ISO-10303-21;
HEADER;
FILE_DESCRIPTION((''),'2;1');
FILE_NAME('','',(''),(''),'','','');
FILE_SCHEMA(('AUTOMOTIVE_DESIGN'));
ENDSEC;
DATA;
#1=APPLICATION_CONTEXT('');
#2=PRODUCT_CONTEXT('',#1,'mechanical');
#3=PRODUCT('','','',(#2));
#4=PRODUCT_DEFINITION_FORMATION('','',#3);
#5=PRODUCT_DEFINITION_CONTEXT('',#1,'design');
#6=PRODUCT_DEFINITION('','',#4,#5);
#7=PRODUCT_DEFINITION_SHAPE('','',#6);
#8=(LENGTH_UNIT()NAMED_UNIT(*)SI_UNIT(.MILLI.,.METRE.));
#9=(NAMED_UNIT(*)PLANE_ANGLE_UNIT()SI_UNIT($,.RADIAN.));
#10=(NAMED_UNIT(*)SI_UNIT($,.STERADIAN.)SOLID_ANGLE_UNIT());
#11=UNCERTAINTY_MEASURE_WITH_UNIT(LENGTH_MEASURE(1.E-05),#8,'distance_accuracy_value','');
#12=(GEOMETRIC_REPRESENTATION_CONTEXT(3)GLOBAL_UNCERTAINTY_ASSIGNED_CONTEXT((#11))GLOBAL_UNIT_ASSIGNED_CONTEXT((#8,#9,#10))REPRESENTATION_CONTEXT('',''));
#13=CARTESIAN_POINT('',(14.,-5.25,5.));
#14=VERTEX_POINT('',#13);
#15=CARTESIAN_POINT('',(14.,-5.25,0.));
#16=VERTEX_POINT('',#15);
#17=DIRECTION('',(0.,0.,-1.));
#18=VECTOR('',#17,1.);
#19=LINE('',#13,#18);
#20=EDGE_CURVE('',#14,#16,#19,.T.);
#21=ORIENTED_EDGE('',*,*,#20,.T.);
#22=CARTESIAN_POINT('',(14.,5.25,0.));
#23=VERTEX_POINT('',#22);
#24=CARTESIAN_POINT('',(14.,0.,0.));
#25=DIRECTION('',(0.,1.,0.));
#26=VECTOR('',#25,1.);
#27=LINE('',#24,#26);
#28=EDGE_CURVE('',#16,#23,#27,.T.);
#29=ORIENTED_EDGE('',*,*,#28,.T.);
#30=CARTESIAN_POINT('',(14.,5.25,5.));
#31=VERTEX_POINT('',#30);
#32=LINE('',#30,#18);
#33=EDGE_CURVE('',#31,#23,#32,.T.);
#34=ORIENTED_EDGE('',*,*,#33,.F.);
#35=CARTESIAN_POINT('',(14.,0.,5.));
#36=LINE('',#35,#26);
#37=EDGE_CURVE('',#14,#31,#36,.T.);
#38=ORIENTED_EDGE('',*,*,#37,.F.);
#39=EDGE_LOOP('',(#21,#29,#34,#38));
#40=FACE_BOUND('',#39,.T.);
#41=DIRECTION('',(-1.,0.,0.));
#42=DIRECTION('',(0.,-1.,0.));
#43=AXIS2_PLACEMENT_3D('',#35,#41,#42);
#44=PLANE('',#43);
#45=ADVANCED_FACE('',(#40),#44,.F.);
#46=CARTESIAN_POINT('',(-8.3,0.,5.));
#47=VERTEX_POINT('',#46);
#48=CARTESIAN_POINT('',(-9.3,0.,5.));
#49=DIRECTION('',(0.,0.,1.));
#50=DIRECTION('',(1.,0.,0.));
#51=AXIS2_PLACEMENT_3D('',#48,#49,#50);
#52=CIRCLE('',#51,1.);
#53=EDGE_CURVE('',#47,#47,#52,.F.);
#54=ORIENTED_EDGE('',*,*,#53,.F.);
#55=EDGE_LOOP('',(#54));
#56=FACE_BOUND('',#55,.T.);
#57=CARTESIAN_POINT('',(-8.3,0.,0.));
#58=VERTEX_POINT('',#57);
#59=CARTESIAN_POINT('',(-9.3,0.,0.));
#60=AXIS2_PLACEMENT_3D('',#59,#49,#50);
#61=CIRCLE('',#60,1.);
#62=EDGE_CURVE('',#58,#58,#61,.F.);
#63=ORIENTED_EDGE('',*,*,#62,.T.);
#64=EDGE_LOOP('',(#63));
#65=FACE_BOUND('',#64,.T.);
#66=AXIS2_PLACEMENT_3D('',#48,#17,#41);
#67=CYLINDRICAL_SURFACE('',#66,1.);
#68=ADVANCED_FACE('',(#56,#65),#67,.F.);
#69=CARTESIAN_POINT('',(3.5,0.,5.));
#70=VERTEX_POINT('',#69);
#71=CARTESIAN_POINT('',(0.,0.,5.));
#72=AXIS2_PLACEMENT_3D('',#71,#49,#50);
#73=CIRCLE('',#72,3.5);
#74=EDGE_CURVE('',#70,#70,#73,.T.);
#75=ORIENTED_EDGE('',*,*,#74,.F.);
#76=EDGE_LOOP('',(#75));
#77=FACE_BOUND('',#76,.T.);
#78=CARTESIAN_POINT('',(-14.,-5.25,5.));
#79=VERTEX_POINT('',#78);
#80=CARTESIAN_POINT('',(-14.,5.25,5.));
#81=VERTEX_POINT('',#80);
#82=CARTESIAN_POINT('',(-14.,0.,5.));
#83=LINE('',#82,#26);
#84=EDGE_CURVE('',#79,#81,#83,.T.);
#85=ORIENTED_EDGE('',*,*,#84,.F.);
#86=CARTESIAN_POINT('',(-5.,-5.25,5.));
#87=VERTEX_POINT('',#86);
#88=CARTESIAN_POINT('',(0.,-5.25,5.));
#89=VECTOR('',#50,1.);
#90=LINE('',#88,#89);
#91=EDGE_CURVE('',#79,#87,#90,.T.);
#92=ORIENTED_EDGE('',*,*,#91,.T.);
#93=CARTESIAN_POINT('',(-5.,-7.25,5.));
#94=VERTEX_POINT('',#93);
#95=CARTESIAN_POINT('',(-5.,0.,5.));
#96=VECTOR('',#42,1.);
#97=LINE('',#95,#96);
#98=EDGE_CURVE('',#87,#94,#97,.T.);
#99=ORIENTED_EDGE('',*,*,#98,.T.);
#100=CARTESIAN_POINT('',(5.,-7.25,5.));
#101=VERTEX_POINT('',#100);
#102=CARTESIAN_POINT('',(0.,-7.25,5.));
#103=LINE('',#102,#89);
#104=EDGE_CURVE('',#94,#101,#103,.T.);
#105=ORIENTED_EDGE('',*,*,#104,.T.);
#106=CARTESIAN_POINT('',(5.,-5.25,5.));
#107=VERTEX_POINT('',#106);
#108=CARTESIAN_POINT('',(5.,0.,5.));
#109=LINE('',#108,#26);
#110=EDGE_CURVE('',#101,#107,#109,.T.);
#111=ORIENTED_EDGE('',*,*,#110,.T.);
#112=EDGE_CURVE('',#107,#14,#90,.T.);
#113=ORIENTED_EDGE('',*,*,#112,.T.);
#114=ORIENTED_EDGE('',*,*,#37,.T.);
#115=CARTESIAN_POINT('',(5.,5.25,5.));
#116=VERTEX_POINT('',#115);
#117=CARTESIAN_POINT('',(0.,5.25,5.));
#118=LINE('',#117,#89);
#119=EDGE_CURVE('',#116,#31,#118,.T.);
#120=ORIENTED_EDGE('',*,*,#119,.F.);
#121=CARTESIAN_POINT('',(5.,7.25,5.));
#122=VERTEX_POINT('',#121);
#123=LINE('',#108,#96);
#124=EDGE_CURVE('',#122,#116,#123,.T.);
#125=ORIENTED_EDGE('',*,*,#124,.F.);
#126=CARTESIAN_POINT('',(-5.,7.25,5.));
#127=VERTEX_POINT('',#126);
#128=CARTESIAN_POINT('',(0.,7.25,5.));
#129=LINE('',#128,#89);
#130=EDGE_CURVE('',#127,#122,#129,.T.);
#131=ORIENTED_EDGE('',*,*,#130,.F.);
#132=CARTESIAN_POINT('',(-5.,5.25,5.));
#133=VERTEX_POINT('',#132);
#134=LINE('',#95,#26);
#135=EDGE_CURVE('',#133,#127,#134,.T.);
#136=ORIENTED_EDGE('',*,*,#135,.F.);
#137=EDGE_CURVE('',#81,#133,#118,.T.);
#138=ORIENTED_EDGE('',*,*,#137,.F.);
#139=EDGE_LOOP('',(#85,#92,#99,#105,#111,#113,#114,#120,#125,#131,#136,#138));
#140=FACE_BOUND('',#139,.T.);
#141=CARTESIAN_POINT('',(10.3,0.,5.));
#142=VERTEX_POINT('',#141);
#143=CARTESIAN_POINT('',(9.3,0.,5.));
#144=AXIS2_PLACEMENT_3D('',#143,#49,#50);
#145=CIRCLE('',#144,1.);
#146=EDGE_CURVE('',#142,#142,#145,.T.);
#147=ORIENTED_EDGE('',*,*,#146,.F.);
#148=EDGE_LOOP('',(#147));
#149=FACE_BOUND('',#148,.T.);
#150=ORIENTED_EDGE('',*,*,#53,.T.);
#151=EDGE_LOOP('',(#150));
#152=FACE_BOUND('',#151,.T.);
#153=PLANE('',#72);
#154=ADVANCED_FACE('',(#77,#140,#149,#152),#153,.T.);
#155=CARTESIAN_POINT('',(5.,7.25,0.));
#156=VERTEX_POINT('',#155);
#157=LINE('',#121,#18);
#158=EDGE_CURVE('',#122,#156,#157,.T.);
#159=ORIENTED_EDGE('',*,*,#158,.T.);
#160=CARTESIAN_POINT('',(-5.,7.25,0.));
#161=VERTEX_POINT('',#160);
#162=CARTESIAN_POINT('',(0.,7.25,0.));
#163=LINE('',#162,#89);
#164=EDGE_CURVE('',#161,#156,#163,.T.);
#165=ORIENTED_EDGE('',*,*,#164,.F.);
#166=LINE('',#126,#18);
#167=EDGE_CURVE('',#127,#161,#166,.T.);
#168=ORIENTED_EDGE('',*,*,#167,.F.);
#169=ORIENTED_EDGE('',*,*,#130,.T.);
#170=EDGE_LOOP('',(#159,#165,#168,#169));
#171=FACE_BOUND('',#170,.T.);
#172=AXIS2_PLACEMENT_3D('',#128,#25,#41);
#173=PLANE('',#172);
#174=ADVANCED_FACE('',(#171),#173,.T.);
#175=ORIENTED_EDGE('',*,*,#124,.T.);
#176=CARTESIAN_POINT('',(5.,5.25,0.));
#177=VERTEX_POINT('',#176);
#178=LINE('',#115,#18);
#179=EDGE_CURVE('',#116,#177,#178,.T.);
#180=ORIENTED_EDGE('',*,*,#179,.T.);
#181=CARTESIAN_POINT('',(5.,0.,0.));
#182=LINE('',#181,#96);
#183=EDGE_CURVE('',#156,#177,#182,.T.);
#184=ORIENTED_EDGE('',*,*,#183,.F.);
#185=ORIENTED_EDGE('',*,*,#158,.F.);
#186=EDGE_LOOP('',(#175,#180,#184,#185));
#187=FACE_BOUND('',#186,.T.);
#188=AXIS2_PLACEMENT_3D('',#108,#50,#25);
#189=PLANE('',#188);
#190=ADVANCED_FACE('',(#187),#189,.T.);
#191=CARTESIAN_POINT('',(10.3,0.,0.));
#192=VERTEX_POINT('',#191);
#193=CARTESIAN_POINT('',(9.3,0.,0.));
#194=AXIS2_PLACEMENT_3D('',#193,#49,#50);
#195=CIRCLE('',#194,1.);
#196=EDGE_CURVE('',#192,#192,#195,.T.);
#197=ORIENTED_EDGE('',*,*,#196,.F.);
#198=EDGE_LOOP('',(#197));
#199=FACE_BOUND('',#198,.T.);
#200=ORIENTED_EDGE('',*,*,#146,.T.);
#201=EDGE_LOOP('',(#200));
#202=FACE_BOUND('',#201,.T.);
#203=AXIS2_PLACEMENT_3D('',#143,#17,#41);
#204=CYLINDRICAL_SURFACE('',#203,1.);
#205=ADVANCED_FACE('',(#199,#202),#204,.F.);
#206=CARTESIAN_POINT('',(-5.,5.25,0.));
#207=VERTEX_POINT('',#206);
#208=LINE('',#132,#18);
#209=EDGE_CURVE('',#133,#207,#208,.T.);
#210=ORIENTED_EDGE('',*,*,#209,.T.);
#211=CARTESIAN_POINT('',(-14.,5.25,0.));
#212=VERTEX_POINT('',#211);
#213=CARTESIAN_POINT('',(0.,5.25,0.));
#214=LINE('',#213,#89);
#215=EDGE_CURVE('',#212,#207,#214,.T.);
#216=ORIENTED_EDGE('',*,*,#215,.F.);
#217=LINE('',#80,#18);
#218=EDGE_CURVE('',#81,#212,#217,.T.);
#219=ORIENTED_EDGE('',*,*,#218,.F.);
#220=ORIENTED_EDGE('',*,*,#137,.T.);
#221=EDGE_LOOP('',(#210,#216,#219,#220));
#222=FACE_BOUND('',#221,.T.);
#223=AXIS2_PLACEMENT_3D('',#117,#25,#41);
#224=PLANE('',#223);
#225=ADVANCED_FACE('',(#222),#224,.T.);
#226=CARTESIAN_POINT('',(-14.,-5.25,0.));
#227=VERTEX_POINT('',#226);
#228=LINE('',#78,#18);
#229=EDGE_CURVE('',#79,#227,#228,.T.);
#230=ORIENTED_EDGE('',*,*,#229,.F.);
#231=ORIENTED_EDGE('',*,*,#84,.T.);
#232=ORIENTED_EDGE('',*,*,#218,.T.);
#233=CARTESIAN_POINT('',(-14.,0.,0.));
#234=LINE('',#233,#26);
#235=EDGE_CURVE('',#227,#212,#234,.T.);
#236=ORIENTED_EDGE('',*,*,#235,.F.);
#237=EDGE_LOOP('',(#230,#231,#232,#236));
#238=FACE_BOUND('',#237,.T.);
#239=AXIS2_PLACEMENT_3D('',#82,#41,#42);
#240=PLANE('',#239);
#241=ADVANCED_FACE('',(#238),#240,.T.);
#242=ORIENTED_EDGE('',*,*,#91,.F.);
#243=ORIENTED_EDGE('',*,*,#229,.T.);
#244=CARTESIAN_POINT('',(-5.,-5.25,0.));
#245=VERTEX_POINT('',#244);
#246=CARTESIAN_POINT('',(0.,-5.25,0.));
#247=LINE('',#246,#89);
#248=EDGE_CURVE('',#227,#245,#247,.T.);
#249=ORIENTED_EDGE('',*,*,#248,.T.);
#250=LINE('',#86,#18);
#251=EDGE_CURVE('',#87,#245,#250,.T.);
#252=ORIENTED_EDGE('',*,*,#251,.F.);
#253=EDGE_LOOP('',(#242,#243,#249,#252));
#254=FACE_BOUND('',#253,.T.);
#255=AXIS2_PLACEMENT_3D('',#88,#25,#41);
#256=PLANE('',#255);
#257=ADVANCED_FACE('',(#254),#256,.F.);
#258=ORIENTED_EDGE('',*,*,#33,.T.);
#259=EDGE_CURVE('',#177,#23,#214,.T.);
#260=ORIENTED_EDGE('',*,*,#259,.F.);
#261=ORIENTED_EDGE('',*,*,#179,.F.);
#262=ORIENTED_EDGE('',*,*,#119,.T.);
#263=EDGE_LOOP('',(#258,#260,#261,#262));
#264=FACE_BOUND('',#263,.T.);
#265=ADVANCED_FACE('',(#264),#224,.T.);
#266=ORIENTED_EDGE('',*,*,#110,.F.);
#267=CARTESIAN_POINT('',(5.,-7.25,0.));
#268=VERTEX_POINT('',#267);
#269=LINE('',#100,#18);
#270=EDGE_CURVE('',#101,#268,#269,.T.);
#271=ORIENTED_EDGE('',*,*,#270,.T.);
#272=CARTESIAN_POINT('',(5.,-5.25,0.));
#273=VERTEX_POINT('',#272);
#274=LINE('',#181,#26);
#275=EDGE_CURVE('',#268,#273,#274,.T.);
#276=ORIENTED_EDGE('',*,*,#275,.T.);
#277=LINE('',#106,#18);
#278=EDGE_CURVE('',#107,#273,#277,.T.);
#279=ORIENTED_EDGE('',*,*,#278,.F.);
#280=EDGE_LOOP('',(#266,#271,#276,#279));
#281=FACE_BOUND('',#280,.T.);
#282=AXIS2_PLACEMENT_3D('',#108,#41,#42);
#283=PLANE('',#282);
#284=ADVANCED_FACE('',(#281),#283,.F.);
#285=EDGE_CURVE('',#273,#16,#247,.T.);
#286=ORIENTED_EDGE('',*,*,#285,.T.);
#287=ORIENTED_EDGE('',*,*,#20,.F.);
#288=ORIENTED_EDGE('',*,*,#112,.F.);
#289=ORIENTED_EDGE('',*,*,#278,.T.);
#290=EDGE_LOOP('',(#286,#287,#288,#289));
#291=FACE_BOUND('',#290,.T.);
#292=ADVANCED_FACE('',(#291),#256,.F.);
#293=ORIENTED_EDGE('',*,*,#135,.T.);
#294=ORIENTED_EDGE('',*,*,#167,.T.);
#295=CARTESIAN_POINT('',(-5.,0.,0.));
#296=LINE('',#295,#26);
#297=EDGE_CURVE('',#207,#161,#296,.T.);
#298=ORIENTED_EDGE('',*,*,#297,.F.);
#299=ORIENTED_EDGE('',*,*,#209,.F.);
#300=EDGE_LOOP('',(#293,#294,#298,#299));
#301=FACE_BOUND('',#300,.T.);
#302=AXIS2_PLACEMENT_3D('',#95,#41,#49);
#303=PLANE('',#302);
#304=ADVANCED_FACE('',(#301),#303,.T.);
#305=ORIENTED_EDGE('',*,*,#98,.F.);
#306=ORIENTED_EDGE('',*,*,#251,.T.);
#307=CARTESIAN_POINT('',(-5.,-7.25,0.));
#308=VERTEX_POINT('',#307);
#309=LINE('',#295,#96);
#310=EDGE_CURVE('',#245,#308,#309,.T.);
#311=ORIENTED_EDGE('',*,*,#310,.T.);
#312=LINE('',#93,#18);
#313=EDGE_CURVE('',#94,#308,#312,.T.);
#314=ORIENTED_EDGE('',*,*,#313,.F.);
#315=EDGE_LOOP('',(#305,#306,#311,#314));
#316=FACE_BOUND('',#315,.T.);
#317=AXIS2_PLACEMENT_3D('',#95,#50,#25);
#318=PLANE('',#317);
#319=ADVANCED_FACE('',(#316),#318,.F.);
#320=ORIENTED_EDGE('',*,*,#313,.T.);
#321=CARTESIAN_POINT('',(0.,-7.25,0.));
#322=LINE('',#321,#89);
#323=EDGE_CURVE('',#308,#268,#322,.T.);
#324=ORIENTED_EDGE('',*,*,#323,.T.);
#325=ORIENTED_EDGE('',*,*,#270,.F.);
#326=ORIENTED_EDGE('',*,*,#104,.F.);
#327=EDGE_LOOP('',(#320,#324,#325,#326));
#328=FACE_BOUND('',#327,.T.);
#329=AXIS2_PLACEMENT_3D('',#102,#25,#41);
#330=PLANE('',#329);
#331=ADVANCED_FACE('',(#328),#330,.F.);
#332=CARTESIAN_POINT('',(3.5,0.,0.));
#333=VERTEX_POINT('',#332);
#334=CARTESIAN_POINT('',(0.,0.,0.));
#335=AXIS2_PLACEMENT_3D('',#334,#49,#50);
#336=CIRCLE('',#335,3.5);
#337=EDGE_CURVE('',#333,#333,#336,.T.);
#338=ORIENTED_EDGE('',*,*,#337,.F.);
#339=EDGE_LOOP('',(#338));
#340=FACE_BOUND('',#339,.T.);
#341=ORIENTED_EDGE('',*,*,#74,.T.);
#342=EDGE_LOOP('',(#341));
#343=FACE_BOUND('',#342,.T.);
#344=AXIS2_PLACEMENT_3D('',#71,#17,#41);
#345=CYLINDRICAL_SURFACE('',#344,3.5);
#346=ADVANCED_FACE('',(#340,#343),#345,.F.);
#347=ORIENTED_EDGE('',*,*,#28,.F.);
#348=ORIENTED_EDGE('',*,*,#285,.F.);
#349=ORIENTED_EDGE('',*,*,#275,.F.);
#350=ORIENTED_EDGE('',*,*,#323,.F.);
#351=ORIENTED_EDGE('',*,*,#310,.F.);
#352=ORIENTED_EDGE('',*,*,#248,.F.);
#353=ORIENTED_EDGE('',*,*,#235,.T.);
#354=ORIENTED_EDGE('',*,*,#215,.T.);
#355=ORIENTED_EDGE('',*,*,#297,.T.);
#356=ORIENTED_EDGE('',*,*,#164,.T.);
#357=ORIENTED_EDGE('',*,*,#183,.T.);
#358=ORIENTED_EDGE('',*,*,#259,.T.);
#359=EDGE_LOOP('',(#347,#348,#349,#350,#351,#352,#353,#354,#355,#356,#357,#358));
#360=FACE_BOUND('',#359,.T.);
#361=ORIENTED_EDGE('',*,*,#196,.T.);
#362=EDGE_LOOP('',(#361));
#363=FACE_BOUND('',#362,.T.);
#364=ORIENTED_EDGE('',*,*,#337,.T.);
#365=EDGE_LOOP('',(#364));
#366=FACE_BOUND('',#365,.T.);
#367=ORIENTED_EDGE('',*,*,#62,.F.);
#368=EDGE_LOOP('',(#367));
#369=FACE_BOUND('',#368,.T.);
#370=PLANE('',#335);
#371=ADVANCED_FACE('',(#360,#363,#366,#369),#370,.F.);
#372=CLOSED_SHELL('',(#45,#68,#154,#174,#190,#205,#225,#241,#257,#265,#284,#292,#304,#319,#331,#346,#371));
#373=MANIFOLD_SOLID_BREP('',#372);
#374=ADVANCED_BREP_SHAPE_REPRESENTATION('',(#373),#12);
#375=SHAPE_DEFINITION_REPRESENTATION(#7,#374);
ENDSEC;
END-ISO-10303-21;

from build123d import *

# Parameters (mm, degrees)
SKETCH1_W           = 28
SKETCH1_H           = 10.5
SKETCH1_R           = 3.5
SKETCH1_R_2         = 1
SKETCH1_W_2         = 10
SKETCH1_H_2         = 2
BOSS_EXTRUDE1_DEPTH = 5


with BuildPart() as part:
    # Sketch1 → Boss-Extrude1 (new body)
    with BuildSketch(Plane.XY):
        Rectangle(SKETCH1_W, SKETCH1_H)
        Circle(SKETCH1_R, mode=Mode.SUBTRACT)
        with Locations((9.3, 0)):
            Circle(SKETCH1_R_2, mode=Mode.SUBTRACT)
        with Locations((-9.3, 0)):
            Circle(SKETCH1_R_2, mode=Mode.SUBTRACT)
        with Locations((0, 6.25)):
            Rectangle(SKETCH1_W_2, SKETCH1_H_2)
        with Locations((0, -6.25)):
            Rectangle(SKETCH1_W_2, SKETCH1_H_2)
    extrude(amount=BOSS_EXTRUDE1_DEPTH)


solid = part.part
